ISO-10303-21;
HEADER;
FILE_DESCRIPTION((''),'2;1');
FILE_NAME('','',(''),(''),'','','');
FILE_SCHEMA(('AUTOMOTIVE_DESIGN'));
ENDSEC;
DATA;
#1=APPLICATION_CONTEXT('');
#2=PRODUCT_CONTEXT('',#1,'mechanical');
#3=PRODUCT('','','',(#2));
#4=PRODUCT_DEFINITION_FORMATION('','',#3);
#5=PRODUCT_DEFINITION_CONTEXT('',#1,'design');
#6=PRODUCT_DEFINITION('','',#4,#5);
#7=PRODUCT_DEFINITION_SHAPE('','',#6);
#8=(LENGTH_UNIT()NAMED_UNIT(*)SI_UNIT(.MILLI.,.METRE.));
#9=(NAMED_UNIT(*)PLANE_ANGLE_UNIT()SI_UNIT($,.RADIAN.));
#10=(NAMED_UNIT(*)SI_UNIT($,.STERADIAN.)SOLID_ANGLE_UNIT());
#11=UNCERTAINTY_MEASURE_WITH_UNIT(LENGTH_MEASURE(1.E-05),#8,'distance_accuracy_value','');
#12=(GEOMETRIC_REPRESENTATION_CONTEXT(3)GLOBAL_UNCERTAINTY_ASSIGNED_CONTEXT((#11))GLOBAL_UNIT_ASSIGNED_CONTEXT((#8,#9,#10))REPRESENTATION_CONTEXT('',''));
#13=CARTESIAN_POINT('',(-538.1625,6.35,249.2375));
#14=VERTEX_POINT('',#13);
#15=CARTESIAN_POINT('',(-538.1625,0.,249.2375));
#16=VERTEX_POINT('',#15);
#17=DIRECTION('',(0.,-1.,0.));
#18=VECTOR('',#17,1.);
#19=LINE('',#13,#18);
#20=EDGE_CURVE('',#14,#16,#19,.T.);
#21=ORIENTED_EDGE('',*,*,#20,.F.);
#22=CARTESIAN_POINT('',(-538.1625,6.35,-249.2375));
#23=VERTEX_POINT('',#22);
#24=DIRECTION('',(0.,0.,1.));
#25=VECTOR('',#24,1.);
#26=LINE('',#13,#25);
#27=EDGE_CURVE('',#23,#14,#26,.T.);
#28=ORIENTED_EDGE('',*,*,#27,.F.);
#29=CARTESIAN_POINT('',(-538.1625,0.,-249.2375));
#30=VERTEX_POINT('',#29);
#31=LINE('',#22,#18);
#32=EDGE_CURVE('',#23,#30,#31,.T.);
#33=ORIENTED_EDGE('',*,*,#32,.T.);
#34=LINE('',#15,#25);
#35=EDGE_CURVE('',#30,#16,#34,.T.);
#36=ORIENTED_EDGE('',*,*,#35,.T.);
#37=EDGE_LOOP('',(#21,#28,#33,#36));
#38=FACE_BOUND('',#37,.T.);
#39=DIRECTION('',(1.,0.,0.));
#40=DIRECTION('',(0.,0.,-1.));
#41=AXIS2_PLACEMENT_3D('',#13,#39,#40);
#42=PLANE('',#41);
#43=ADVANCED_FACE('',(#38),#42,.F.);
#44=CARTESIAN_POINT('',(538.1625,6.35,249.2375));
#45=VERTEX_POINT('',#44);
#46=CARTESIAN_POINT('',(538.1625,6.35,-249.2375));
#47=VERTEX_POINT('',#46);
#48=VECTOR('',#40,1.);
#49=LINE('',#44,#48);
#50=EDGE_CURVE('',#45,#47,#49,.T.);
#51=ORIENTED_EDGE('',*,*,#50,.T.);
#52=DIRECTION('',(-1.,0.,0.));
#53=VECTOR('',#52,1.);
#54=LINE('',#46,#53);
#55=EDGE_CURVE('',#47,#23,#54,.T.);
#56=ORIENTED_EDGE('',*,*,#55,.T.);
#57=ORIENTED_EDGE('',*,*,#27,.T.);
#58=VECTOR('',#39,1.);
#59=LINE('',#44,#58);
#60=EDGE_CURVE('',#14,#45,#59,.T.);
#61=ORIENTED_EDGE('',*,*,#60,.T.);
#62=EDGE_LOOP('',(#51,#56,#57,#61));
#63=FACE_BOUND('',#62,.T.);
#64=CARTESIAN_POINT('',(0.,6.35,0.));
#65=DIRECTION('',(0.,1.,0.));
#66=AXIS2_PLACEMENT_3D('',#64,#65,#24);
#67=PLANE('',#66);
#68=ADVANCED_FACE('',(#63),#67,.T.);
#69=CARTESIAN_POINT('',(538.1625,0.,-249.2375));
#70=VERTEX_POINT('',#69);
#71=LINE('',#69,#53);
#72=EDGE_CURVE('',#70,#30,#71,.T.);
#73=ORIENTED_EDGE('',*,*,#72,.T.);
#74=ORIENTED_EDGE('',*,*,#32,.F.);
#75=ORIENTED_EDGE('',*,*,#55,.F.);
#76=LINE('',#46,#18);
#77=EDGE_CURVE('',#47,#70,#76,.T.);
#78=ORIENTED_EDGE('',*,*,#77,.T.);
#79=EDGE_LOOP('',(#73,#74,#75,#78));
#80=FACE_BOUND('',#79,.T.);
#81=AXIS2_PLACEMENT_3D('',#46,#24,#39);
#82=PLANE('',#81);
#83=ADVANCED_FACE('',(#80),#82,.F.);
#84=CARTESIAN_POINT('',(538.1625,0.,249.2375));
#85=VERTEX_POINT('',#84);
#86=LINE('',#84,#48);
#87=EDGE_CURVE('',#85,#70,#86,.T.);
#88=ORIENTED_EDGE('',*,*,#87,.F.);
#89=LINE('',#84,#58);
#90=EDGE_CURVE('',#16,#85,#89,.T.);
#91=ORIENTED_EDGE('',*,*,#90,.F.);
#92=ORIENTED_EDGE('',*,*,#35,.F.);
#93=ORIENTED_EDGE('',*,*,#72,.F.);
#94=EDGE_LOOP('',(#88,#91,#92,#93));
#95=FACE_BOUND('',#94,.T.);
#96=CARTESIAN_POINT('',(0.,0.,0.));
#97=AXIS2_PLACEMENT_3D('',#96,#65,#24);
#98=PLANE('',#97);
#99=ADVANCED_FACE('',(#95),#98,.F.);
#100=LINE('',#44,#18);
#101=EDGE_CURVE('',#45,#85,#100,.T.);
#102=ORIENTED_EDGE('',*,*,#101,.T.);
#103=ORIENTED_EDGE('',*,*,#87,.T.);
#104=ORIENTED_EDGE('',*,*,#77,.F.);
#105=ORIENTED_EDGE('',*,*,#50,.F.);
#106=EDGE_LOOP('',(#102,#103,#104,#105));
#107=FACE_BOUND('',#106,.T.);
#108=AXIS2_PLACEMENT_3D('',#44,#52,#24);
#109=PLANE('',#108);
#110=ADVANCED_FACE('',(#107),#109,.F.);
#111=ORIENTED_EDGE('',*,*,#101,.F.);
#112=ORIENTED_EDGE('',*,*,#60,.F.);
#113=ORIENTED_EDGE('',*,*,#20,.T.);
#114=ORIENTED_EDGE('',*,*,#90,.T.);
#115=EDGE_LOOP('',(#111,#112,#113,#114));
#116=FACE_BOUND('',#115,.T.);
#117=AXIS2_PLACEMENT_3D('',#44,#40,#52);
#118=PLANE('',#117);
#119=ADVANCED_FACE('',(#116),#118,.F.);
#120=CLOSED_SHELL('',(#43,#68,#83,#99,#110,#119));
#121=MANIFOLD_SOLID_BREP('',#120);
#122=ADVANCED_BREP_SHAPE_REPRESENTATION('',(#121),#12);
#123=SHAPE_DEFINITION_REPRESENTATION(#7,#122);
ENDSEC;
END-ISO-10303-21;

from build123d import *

# Parameters (mm, degrees)
SKETCH1_W   = 1076.325
SKETCH1_H   = 498.475
GLASS_DEPTH = 6.35


with BuildPart() as part:
    # Sketch1 → Glass (new body)
    with BuildSketch(Plane(origin=(0, 0, 0), x_dir=(1, 0, 0), z_dir=(0, 1, 0))):
        Rectangle(SKETCH1_W, SKETCH1_H)
    extrude(amount=GLASS_DEPTH)


solid = part.part
